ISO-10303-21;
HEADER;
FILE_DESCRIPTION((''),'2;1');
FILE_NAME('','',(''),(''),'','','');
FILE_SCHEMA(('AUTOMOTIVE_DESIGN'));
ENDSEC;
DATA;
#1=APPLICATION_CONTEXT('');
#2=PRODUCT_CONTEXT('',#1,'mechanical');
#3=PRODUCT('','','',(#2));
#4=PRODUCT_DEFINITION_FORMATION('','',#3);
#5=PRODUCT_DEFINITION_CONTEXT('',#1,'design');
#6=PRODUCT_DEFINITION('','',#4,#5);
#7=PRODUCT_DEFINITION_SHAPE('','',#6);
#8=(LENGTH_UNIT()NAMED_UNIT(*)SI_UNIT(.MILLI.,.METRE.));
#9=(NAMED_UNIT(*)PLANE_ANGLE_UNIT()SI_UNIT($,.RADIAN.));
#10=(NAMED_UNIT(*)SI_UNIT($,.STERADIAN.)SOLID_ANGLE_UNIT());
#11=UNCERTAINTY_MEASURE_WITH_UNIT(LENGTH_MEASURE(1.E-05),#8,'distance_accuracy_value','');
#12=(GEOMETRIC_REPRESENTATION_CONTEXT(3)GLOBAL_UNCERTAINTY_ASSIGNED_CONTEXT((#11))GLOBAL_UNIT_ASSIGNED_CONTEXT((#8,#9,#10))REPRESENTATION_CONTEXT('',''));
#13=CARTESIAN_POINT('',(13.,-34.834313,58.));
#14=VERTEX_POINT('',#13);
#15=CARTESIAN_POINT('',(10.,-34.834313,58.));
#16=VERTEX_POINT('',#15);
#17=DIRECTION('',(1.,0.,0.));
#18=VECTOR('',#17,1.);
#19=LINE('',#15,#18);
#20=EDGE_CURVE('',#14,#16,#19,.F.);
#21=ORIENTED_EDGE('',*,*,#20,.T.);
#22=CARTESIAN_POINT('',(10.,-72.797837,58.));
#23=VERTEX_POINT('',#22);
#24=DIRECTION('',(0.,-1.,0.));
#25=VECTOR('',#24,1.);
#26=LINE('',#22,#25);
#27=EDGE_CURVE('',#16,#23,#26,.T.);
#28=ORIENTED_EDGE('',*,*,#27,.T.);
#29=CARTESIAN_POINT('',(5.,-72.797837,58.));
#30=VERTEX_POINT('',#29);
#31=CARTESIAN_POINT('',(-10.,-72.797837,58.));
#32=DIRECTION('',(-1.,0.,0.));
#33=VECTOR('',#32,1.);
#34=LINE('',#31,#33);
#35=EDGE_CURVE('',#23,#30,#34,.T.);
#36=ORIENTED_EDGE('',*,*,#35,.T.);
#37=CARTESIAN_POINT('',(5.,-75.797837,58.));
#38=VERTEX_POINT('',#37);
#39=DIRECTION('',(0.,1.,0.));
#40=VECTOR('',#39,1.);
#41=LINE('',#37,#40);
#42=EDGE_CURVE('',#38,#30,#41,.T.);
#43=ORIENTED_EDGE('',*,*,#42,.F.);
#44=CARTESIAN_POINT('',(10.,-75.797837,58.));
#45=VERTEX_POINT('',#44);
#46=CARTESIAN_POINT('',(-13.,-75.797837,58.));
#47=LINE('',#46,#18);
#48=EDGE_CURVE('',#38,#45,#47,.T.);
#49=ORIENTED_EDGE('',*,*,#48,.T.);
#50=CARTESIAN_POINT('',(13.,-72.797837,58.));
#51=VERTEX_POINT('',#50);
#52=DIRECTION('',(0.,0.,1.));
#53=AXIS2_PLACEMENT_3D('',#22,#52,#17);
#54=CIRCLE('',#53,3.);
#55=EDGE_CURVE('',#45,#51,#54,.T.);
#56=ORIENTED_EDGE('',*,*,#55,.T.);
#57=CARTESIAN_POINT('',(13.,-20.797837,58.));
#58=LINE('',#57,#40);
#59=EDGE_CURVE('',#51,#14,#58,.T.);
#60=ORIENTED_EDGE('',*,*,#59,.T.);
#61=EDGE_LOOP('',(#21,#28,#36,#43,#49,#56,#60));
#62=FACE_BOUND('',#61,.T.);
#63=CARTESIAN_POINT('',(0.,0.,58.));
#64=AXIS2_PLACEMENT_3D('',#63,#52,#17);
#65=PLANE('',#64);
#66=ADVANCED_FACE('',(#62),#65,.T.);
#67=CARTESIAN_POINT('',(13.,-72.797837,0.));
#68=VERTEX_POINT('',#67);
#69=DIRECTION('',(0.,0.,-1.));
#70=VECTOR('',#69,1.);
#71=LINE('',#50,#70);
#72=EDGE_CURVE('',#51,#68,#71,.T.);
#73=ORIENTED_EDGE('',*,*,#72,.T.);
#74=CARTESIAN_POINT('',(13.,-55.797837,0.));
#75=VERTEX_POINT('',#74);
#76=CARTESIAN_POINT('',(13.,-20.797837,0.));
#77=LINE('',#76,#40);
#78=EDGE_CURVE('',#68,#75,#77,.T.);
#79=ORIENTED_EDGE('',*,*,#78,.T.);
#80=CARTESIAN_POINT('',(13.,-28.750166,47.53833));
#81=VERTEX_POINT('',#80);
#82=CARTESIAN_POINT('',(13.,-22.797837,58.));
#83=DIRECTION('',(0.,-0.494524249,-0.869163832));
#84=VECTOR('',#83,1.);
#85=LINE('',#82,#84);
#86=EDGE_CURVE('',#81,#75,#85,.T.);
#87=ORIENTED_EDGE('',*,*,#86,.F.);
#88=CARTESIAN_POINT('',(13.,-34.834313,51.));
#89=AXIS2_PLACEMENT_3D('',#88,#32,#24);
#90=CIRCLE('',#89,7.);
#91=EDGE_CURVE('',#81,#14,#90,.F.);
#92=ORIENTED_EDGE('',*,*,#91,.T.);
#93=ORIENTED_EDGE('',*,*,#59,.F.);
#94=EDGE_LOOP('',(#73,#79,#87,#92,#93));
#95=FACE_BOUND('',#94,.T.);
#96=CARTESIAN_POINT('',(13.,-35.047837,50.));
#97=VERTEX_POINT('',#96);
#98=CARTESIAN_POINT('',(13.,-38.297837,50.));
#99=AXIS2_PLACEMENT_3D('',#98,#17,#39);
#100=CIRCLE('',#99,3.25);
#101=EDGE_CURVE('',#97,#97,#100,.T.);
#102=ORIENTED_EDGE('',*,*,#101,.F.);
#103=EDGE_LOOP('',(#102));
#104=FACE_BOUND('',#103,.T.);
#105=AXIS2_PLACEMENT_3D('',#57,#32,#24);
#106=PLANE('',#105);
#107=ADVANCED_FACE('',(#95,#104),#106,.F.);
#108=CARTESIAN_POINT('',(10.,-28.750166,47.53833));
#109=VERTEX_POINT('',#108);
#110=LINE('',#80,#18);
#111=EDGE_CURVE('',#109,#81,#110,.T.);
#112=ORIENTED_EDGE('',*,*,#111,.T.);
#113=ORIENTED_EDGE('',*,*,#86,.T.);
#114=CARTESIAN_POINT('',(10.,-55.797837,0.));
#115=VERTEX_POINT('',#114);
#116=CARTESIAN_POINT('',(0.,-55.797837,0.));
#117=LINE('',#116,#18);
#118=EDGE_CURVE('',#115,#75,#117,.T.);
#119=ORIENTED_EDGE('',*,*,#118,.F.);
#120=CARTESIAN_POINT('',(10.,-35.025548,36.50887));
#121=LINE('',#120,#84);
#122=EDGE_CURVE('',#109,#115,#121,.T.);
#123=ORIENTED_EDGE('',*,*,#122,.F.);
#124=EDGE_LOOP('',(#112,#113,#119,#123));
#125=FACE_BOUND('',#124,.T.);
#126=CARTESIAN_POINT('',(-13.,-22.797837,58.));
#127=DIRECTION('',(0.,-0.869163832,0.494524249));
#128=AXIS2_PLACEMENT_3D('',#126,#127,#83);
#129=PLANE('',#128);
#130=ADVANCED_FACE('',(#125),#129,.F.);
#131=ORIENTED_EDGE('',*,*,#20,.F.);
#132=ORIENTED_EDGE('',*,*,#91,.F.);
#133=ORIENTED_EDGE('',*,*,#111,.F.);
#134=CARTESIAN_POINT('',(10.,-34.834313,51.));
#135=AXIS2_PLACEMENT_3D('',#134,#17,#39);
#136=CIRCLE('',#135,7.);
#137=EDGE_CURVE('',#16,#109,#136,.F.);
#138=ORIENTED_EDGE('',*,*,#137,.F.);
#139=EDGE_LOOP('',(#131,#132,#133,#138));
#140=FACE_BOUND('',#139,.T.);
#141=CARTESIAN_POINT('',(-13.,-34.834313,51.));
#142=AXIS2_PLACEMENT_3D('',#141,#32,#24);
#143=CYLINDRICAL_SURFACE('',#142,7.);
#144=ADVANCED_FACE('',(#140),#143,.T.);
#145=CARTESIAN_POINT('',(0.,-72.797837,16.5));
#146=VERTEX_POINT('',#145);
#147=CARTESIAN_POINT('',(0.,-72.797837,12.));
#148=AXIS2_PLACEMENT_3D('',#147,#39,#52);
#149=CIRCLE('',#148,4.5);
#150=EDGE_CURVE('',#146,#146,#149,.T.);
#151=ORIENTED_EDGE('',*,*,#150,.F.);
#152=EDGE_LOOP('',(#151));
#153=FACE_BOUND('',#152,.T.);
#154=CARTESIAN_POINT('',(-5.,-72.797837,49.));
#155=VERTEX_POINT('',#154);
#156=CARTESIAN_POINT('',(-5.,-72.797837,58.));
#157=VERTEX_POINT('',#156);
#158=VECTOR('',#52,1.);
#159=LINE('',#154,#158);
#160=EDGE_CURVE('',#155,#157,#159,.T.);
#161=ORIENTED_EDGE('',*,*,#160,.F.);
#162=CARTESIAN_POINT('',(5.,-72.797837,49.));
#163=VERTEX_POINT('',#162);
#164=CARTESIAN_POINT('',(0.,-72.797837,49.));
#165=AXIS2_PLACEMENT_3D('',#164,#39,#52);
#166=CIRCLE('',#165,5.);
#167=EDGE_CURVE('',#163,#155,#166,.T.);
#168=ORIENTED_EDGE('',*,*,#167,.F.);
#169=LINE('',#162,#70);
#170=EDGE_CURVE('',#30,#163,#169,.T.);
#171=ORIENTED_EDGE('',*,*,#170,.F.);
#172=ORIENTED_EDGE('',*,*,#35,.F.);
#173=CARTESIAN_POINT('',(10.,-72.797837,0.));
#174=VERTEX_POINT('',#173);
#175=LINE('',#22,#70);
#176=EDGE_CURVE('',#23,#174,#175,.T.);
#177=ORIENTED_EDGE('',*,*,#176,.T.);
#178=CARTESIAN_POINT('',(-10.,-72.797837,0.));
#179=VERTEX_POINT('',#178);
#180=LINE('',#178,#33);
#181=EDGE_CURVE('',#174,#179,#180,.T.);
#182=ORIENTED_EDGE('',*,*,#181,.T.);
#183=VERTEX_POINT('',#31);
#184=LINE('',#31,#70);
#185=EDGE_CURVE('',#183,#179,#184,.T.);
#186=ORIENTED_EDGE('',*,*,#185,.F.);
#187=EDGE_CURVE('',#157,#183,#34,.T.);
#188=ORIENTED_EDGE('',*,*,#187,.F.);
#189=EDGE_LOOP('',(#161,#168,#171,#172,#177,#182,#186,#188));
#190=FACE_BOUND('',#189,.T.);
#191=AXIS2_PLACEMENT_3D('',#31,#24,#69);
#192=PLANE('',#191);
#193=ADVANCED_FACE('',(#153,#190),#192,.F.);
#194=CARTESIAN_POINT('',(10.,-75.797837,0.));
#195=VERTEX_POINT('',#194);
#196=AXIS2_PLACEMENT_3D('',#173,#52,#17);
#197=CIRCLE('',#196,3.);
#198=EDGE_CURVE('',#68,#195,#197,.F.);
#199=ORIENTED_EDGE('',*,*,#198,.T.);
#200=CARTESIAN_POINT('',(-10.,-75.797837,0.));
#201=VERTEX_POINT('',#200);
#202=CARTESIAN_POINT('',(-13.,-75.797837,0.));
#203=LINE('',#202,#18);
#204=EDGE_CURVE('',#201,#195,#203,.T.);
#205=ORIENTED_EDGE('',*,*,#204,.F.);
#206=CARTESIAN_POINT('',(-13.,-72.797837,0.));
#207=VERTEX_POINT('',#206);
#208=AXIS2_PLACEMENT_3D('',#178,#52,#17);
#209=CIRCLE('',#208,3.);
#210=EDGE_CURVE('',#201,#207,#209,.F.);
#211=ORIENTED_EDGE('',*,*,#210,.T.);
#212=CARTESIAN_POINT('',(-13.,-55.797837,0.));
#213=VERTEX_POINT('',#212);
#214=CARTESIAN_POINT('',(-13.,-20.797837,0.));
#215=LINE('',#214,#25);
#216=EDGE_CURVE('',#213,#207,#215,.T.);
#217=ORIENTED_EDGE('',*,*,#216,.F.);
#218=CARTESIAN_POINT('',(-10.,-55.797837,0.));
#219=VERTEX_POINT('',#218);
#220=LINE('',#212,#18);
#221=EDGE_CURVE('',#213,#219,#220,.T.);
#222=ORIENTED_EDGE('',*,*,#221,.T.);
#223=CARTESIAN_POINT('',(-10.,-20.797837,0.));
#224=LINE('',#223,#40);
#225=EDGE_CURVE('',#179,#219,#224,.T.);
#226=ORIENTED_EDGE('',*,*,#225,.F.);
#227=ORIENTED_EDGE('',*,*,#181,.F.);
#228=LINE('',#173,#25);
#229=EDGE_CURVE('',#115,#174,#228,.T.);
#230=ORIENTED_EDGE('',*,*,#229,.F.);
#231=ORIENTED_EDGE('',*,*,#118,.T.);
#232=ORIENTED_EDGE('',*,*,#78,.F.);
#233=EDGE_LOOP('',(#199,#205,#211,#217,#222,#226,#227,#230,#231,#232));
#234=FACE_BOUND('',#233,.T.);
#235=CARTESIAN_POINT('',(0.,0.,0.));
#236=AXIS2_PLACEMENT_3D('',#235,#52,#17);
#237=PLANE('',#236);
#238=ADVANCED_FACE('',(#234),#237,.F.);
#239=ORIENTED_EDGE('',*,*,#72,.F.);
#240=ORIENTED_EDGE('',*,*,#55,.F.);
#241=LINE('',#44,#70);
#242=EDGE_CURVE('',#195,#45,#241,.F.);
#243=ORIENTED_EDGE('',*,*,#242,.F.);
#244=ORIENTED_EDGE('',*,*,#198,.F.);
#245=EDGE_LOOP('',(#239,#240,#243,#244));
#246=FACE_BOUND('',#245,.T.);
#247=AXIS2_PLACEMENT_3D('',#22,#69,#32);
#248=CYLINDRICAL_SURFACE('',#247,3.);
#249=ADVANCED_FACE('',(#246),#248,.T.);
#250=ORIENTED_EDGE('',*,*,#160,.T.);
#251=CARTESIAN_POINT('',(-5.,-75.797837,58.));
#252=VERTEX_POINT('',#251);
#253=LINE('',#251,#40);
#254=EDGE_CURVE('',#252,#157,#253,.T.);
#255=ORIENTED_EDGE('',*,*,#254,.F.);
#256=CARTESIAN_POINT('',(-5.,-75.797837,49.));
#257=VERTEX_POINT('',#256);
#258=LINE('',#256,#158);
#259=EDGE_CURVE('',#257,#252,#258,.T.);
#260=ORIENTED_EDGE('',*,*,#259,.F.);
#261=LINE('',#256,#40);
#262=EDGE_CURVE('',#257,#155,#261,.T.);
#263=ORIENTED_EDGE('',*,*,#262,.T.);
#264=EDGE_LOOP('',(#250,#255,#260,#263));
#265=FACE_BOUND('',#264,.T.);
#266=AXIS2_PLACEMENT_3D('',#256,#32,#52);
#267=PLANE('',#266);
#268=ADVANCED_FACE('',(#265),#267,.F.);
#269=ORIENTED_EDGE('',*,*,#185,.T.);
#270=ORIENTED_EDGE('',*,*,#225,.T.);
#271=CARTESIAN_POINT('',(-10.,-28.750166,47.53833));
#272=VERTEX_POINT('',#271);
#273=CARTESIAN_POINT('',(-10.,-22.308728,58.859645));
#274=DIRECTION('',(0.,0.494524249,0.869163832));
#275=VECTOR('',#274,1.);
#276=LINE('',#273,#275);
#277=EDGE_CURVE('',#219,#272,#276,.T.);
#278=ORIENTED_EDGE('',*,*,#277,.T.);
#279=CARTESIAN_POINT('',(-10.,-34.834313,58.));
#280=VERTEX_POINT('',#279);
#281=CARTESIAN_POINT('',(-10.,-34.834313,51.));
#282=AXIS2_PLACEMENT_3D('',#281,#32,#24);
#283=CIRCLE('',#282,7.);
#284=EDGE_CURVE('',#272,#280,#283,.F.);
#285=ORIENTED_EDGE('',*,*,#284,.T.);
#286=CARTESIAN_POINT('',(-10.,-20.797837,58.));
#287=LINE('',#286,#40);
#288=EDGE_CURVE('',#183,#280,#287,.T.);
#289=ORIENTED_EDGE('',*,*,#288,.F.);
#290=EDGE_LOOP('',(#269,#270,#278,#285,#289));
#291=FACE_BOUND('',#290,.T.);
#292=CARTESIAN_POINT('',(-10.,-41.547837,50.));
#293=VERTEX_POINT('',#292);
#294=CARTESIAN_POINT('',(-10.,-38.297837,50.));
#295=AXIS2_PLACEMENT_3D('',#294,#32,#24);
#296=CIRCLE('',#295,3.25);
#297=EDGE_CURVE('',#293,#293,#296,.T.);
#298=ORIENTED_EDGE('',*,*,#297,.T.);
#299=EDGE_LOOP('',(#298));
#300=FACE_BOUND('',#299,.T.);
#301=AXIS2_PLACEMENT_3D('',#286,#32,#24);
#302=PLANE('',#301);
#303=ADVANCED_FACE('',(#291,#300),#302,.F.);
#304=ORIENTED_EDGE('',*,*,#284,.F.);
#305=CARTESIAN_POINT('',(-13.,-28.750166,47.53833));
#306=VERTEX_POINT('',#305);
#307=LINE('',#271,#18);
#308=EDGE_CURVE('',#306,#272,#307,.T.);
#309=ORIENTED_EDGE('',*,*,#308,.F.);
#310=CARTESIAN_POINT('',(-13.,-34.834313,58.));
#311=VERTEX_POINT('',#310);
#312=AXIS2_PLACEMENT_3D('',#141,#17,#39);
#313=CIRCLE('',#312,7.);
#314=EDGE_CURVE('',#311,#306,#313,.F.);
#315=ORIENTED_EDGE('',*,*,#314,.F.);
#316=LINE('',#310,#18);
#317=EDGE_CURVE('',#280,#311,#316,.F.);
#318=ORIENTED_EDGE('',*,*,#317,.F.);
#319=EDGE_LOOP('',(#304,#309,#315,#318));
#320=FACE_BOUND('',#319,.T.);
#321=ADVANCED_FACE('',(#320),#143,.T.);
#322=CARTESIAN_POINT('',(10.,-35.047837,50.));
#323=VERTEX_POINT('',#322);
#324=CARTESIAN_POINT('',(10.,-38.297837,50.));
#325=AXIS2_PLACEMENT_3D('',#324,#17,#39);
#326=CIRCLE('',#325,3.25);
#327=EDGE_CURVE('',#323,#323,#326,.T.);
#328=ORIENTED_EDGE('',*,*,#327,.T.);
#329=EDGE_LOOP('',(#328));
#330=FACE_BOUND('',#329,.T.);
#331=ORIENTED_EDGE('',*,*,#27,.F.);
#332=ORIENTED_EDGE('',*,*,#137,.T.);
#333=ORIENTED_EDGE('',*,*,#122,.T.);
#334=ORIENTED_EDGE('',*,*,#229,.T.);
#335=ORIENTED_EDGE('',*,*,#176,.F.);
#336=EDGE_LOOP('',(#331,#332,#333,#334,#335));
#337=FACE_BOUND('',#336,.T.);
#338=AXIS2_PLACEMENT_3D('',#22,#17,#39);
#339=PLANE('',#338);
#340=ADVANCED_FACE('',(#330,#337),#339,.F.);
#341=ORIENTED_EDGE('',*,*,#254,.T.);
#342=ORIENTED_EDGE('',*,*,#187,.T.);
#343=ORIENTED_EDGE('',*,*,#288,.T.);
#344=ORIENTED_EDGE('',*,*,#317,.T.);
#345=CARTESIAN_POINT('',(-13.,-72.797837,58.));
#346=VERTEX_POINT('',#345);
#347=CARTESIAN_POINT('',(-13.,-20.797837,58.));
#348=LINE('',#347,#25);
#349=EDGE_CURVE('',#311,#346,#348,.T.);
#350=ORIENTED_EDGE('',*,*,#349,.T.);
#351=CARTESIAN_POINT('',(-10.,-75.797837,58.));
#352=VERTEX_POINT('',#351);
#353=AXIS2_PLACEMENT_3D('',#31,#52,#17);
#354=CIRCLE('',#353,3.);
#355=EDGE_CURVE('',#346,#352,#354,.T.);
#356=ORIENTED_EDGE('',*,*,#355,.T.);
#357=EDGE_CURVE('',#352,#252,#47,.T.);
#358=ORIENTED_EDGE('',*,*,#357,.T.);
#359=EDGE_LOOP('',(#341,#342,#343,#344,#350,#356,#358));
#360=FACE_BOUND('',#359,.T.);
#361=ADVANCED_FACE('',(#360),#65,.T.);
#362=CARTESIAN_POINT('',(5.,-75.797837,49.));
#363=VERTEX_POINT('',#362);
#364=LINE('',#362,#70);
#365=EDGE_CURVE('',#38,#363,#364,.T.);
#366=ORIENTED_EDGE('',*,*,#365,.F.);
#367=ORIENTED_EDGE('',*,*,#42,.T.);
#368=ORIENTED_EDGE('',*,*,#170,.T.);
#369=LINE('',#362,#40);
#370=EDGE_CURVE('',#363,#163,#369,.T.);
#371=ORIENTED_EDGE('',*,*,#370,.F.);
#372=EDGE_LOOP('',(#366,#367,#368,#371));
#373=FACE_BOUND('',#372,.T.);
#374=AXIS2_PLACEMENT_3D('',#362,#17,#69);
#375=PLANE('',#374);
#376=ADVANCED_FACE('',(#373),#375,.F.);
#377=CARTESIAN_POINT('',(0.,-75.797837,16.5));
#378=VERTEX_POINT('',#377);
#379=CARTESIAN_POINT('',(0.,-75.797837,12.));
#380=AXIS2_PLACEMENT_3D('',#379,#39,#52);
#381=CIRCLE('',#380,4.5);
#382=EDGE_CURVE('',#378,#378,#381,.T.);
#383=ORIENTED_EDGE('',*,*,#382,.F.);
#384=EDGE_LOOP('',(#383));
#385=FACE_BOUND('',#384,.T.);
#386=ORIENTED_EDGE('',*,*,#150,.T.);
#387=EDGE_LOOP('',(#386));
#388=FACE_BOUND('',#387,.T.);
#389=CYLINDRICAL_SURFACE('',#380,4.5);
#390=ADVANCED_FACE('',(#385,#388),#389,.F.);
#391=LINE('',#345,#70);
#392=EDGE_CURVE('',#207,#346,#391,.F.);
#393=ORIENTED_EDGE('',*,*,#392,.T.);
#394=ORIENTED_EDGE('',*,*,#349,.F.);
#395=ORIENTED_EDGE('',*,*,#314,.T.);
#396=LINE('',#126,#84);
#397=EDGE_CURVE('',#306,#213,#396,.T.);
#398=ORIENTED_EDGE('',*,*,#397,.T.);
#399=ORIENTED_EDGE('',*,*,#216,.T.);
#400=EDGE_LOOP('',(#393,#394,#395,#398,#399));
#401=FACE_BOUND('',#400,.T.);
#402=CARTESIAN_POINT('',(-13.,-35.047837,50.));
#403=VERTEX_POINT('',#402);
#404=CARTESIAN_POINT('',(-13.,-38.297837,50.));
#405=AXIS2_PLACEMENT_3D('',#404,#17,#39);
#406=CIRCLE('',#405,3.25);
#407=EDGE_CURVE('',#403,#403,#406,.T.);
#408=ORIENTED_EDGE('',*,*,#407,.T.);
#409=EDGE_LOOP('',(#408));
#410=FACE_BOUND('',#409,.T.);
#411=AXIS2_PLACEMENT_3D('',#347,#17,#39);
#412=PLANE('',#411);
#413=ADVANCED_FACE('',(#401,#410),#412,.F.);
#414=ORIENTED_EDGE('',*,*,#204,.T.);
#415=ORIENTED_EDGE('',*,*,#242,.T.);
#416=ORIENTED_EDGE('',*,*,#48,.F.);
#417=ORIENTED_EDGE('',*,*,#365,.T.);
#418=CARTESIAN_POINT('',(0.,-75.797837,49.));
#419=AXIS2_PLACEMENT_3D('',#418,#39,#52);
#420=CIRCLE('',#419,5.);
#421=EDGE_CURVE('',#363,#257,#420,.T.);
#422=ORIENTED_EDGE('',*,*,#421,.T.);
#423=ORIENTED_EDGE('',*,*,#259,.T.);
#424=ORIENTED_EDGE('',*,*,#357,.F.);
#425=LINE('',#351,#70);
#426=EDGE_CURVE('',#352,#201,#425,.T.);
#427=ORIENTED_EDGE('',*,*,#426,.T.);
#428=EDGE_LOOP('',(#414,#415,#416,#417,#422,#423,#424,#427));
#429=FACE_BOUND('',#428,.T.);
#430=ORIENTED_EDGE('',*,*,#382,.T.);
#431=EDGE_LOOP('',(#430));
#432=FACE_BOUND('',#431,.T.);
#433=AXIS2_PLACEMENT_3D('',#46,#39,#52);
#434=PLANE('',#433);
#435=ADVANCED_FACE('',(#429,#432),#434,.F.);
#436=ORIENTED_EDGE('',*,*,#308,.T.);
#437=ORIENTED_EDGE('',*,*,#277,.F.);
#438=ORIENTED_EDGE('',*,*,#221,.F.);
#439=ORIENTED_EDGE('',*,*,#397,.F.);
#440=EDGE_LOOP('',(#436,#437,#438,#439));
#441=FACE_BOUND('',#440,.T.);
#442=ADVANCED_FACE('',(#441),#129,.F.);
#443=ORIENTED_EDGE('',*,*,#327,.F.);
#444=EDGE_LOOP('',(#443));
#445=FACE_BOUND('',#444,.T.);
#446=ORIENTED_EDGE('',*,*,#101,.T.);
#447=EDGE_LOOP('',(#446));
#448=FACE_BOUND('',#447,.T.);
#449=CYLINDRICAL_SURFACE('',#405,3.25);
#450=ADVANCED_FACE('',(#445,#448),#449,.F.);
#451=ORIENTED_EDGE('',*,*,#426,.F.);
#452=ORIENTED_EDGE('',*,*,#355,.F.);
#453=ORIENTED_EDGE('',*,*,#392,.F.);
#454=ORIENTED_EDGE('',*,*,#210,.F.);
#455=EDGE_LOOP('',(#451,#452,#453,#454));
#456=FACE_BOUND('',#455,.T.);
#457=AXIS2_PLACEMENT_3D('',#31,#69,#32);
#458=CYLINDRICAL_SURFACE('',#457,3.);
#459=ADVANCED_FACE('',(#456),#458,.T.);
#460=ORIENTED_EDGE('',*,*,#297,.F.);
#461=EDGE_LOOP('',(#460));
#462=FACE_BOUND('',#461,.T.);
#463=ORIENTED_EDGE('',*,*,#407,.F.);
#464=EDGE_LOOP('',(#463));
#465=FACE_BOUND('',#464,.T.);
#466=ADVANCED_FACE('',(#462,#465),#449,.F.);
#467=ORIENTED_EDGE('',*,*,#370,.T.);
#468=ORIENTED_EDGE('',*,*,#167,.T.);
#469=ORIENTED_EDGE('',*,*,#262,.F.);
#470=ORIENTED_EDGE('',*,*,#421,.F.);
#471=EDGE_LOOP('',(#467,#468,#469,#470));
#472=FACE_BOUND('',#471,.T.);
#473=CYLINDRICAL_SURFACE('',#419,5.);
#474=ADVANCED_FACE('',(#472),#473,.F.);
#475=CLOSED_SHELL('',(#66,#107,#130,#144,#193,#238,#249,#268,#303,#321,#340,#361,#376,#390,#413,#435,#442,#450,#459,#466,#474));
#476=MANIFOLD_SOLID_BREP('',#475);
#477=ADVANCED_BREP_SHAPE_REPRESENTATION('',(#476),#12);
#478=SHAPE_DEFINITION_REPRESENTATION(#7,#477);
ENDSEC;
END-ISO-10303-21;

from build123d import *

# Parameters (mm, degrees)
EXTRUDE_1_DEPTH     = 58
SKETCH_2_R          = 3.25
CUT_EXTRUDE_1_DEPTH = 27
FILLET_1_R          = 7
SKETCH_3_R          = 4.5
CUT_EXTRUDE_2_DEPTH = 4
FILLET_2_R          = 3


with BuildPart() as part:
    # 草图1 → 凸台-拉伸1 (new body)
    with BuildSketch(Plane.XY):
        Polygon((-10, -20.797836643), (-10, -72.797836643), (10, -72.797836643), (10, -20.797836643), (13, -20.797836643), (13, -75.797836643), (-13, -75.797836643), (-13, -20.797836643), align=None)
    extrude(amount=EXTRUDE_1_DEPTH)

    # 草图2 → 切除-拉伸1 (cut, through all)
    with BuildSketch(Plane(origin=(13, 0, 0), x_dir=(0, 0, -1), z_dir=(1, 0, 0))):
        with Locations((-50, -38.297836643)):
            Circle(SKETCH_2_R)
        Polygon((-58, -20.797836643), (-58, -22.797836643), (0, -55.797836643), (0, -20.797836643), align=None)
    extrude(amount=-CUT_EXTRUDE_1_DEPTH, mode=Mode.SUBTRACT)

    # 圆角1
    fillet_1_edges = [part.edges().sort_by_distance(p)[0] for p in [
        (11.5, -22.797836643, 58),
        (-11.5, -22.797836643, 58),
    ]]
    fillet(fillet_1_edges, radius=FILLET_1_R)

    # 草图3 → 切除-拉伸2 (cut, through all)
    with BuildSketch(Plane(origin=(0, -72.797836643, 0), x_dir=(1, 0, 0), z_dir=(0, 1, 0))):
        with Locations((0, -12)):
            Circle(SKETCH_3_R)
        with BuildLine():
            Line((5, -49), (5, -58))
            Line((5, -58), (-5, -58))
            Line((-5, -58), (-5, -49))
            ThreePointArc((-5, -49), (0, -44), (5, -49))
        make_face()
    extrude(amount=-CUT_EXTRUDE_2_DEPTH, mode=Mode.SUBTRACT)

    # 圆角2
    fillet_2_edges = [part.edges().sort_by_distance(p)[0] for p in [
        (13, -75.797836643, 29),
        (-13, -75.797836643, 29),
    ]]
    fillet(fillet_2_edges, radius=FILLET_2_R)


solid = part.part
